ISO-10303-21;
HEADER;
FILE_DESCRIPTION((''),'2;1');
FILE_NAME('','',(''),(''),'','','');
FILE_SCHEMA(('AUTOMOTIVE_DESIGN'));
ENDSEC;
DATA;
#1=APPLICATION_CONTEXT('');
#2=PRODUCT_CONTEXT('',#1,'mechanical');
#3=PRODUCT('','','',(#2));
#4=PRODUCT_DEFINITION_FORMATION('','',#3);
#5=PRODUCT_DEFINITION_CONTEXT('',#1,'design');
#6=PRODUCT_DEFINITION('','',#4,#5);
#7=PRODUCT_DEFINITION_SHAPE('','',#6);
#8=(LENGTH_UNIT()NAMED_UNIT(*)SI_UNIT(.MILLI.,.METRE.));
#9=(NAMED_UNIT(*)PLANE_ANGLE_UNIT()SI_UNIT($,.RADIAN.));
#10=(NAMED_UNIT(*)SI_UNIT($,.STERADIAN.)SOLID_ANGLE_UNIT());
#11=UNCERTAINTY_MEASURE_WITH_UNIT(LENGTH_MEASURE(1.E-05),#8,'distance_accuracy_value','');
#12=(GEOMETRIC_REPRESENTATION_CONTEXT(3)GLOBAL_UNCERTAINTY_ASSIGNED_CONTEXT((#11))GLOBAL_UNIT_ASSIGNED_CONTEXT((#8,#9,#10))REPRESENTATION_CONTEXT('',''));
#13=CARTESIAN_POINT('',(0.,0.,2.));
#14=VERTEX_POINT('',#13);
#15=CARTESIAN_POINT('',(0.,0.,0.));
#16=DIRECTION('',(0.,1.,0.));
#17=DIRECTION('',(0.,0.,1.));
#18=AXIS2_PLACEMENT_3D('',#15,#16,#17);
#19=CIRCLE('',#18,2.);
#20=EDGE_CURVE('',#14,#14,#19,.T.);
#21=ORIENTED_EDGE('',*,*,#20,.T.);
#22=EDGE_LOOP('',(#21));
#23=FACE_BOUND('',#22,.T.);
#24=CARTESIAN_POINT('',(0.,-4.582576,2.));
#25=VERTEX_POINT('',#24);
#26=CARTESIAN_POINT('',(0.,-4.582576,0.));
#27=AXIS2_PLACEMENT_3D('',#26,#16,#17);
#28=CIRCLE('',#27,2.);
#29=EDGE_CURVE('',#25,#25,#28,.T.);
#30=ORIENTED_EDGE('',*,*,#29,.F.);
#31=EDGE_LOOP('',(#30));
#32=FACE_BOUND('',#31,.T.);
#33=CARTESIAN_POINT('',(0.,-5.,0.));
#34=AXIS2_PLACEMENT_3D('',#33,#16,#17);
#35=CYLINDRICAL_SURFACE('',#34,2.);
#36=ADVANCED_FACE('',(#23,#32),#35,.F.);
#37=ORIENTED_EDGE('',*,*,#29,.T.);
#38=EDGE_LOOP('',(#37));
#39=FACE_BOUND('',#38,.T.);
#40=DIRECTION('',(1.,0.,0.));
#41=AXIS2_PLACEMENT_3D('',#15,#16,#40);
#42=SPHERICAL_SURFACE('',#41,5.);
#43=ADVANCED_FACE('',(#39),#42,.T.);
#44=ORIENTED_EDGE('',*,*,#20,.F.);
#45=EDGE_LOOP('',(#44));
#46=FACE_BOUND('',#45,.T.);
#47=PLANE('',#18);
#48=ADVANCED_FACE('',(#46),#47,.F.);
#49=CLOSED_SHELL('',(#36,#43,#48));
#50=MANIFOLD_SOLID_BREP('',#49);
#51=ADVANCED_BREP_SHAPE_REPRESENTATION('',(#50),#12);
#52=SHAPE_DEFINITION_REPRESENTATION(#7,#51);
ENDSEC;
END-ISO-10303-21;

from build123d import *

# Parameters (mm, degrees)
SKETCH2_R          = 2
CUT_EXTRUDE1_DEPTH = 6


with BuildPart() as part:
    # Sketch1 one side → Revolve2 (revolve)
    with BuildSketch(Plane.XY):
        with BuildLine():
            ThreePointArc((0, -5), (3.535533906, -3.535533906), (5, 0))
            ThreePointArc((5, 0), (3.535533906, 3.535533906), (0, 5))
            Line((0, 5), (0, -5))
        make_face()
    revolve(axis=Axis((0, 5, 0), (0, -1, 0)))

    # Sketch2 → Cut-Extrude1 (cut, through all)
    with BuildSketch(Plane(origin=(0, 0, 0), x_dir=(1, 0, 0), z_dir=(0, 1, 0))):
        Circle(SKETCH2_R)
    extrude(amount=-CUT_EXTRUDE1_DEPTH, mode=Mode.SUBTRACT)


solid = part.part
